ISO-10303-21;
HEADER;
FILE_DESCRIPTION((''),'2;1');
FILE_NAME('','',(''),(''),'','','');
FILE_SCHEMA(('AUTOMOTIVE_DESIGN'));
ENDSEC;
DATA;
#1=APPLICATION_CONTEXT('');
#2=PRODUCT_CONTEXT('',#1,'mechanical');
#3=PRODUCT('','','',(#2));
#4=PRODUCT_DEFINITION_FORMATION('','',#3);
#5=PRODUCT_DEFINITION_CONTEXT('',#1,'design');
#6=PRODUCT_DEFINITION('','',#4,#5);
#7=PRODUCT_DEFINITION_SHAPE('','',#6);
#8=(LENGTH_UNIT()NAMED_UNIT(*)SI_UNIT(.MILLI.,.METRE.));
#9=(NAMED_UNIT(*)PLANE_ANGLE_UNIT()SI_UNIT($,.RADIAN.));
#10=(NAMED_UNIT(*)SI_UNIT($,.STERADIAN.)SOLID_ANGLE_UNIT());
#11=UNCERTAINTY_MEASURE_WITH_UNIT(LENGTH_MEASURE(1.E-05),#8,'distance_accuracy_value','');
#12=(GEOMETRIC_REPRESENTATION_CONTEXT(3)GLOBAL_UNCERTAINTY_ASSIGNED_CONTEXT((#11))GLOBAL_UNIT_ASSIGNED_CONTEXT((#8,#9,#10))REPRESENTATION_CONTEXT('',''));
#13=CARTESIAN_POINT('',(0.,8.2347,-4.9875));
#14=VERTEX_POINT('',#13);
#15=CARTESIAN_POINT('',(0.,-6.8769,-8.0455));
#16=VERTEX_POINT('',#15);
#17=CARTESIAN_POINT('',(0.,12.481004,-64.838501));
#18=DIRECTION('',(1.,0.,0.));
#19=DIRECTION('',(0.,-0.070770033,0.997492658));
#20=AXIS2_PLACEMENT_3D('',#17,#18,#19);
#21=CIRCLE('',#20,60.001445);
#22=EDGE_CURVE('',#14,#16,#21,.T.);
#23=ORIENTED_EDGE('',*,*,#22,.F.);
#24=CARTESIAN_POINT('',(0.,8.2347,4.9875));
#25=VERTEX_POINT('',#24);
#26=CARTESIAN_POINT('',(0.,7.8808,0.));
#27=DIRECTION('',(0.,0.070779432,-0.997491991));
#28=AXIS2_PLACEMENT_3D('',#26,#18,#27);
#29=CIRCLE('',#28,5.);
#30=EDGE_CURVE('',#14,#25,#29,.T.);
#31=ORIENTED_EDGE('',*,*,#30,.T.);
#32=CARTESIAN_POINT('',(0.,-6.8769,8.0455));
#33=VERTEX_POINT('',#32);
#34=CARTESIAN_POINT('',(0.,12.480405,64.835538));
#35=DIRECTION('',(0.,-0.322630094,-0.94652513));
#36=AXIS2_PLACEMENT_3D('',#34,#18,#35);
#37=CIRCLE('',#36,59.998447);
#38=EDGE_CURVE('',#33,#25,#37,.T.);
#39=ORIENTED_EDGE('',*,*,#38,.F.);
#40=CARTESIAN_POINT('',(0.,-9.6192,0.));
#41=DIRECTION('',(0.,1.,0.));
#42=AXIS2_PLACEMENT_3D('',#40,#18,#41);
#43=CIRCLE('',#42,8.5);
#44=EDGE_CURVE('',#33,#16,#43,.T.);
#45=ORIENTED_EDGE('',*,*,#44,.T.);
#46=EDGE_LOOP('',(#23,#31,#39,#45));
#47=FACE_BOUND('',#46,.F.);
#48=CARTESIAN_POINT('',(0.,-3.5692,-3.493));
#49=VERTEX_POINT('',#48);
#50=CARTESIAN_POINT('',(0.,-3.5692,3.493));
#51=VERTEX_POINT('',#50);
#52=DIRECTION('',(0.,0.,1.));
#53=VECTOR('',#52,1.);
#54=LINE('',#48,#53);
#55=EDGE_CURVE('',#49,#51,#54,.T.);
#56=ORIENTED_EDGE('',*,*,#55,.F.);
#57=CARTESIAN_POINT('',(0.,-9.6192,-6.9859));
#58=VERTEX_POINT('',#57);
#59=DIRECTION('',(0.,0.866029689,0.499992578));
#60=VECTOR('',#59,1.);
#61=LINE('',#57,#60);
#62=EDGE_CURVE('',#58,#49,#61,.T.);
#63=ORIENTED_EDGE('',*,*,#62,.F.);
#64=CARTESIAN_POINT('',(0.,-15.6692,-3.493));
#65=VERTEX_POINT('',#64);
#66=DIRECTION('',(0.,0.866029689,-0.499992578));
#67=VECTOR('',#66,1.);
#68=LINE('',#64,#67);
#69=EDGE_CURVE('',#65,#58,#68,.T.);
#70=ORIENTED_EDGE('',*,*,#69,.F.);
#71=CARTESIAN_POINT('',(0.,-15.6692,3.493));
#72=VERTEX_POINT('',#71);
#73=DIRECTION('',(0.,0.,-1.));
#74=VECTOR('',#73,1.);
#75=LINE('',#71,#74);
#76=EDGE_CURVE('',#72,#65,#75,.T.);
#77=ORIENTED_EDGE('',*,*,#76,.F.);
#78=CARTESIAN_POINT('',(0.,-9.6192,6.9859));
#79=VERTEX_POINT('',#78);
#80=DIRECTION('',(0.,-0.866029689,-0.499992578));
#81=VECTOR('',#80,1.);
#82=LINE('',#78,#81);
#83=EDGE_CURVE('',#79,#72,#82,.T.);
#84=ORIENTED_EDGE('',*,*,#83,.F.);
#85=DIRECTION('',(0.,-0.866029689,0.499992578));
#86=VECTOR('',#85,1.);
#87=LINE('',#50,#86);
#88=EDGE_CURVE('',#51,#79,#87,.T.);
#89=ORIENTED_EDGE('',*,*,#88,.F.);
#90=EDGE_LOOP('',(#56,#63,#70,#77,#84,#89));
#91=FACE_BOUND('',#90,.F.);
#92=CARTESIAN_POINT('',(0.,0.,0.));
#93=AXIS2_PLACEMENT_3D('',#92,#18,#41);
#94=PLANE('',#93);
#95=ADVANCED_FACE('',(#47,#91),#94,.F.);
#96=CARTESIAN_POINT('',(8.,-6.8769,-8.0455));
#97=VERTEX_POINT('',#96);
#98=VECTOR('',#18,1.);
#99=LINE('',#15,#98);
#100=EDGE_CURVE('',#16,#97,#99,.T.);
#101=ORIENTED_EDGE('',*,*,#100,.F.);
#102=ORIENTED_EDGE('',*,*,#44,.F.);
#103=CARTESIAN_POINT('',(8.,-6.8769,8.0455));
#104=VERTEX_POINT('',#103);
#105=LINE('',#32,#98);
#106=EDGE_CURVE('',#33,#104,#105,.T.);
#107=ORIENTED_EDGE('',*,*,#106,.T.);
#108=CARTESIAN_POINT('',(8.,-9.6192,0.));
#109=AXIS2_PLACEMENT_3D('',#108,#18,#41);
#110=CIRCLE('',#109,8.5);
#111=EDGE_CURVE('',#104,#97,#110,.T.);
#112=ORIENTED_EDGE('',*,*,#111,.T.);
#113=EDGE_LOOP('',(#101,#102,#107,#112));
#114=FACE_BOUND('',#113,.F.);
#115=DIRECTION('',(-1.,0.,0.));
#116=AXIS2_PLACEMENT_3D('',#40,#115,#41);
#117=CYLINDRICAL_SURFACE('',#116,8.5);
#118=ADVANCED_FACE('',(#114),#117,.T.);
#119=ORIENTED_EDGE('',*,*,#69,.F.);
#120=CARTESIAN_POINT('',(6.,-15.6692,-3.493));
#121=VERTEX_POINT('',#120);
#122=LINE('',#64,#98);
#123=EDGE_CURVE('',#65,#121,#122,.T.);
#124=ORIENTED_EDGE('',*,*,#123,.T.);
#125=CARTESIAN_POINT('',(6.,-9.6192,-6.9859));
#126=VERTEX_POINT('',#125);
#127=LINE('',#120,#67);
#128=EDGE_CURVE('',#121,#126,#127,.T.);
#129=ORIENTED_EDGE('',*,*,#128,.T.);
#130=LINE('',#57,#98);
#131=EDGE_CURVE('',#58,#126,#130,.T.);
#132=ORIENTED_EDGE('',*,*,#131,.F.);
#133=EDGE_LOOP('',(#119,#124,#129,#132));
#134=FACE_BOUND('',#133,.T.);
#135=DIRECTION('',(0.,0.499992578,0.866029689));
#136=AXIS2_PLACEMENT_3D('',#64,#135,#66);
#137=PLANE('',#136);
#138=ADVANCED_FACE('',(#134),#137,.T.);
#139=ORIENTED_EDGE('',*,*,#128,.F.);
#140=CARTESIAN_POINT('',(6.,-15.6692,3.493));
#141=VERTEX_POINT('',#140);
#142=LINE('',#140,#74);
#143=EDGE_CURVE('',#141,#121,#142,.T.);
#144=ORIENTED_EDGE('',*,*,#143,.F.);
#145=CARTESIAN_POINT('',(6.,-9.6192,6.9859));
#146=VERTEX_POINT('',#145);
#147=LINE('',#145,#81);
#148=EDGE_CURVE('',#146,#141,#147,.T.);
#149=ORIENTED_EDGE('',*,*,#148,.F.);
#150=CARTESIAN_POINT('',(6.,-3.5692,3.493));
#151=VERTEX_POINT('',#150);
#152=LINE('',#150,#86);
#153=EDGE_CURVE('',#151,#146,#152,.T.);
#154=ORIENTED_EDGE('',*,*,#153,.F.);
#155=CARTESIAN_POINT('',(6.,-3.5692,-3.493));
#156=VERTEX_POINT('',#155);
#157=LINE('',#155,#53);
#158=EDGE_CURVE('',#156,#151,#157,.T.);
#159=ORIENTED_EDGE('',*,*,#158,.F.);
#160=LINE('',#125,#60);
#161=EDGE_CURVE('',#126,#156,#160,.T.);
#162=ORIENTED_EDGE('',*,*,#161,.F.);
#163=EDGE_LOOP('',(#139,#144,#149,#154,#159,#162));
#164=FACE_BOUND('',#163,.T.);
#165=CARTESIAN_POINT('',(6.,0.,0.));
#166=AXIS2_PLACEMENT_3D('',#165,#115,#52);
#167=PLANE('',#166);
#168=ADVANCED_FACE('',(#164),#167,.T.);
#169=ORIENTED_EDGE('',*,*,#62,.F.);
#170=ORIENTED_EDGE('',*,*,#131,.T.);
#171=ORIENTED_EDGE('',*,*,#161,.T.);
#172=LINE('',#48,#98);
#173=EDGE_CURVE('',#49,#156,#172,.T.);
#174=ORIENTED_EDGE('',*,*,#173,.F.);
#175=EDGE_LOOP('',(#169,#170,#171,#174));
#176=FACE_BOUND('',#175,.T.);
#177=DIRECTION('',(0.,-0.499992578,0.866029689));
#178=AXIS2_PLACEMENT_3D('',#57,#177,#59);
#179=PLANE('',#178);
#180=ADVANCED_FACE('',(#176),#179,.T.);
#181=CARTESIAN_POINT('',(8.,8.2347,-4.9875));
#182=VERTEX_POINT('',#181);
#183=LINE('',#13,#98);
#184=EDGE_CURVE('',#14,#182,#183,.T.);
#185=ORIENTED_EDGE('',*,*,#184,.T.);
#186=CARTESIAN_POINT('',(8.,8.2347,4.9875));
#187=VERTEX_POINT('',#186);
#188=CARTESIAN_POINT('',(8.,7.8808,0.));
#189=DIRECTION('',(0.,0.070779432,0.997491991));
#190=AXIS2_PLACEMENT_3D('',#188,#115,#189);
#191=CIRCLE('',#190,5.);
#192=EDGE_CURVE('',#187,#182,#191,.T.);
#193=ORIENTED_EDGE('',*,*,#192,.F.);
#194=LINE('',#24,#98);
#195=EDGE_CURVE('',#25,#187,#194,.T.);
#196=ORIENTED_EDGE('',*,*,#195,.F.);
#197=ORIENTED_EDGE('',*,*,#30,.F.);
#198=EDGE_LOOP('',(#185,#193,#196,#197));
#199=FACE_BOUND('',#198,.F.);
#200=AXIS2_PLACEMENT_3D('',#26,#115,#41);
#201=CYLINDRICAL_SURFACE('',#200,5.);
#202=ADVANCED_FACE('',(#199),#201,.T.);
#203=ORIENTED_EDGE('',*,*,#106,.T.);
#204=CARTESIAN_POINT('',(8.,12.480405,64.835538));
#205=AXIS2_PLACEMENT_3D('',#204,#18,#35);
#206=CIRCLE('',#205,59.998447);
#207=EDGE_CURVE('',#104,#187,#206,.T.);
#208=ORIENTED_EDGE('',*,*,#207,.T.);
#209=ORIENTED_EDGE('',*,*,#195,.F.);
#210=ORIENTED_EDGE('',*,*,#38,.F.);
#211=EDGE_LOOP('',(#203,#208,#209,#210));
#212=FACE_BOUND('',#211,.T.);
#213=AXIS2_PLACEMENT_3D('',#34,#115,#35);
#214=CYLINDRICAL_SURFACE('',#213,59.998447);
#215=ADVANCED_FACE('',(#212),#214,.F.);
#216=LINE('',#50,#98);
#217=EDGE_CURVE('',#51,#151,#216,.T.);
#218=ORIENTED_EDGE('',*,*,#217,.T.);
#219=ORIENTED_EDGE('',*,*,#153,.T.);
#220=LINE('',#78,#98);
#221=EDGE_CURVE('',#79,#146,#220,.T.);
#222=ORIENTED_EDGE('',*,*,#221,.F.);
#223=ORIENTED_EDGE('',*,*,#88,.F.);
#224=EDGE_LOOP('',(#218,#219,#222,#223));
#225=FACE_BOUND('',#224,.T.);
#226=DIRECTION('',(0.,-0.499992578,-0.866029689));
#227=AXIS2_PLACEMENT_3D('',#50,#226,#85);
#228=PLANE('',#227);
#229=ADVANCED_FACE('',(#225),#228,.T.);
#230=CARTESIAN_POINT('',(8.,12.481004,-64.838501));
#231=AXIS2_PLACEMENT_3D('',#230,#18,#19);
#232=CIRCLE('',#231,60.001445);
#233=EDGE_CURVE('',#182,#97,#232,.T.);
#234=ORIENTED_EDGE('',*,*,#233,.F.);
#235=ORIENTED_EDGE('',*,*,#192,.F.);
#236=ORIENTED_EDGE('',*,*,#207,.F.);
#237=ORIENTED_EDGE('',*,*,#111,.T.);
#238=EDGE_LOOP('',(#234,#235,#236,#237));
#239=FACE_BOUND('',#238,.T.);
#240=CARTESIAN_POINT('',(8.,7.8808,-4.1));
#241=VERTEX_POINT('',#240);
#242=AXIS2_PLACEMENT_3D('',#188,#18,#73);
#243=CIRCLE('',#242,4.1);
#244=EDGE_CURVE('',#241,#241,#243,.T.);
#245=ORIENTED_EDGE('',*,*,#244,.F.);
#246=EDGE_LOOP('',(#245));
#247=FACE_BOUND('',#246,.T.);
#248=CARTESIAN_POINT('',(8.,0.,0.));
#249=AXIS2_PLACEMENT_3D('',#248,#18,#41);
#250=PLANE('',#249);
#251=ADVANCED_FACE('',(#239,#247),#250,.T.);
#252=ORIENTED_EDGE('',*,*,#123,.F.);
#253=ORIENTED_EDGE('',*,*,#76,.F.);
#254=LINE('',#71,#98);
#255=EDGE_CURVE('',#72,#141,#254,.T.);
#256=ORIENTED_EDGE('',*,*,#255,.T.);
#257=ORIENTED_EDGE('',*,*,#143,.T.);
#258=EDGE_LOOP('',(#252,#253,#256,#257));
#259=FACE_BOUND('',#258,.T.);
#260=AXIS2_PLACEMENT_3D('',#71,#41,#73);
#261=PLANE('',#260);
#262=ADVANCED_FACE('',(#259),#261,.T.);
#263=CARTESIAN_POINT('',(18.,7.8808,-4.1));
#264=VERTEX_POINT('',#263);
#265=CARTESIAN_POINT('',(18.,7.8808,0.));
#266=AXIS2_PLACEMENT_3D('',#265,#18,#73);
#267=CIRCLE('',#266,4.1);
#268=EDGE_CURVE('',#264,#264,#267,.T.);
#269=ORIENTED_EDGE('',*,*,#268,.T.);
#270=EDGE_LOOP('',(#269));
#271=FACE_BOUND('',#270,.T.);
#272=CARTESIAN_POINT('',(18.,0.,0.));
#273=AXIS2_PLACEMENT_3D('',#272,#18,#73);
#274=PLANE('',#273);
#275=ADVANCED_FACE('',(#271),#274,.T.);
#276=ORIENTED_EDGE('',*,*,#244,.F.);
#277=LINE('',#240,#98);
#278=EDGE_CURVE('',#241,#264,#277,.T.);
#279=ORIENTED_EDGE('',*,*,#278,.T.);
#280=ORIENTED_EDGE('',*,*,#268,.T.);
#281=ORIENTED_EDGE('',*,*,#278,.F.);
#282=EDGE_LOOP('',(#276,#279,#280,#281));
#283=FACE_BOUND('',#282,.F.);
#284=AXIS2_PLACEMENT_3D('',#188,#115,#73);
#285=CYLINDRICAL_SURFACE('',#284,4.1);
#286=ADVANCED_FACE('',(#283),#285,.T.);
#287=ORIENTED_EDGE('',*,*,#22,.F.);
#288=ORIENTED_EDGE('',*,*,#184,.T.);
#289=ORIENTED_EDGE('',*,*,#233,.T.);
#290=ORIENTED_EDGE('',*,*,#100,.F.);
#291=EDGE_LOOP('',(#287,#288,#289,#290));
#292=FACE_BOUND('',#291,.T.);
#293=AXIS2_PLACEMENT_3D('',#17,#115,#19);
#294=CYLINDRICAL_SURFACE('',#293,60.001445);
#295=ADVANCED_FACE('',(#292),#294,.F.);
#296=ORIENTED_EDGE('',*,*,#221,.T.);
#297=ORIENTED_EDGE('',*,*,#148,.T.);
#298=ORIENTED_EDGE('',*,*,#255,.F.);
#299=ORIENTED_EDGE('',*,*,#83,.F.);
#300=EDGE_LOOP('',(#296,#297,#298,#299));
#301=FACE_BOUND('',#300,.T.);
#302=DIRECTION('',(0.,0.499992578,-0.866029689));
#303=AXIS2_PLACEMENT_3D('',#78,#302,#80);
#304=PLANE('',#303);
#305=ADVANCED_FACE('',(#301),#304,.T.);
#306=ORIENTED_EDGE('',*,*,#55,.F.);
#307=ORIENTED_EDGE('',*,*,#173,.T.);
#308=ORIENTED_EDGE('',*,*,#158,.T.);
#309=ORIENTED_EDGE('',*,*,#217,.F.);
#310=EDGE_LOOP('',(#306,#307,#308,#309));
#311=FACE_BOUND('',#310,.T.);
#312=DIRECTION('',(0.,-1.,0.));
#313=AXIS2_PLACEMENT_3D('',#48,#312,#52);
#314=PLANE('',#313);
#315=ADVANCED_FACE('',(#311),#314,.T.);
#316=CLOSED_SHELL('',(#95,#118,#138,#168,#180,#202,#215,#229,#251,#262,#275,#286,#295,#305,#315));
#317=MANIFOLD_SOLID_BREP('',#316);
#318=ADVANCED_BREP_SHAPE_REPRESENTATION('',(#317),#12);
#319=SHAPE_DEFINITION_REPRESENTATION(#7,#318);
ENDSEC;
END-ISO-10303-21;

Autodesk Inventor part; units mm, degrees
ref_plane "YZ Plane" through (0, 0, 0) normal (1, 0, 0) x (0, 1, 0)
ref_plane "XZ Plane" through (0, 0, 0) normal (0, 1, 0) x (-1, 0, 0)
ref_plane "XY Plane" through (0, 0, 0) normal (0, 0, 1) x (1, 0, 0)
sketch "Skizze1" plane through (0, 0, 0) normal (1, 0, 0) x (0, 1, 0)
  circle A0 centre (7.8808, 0) radius 5
  circle A1 centre (-9.6192, 0) radius 8.5
  arc A2 (-6.8769, 8.0455) -> (8.2347, 4.9875) centre (12.4808, 64.837) ccw
  arc A3 (8.2347, -4.9875) -> (-6.8769, -8.0455) centre (12.4808, -64.837) ccw
  point P0 (0, 0)
  dimension "d0" = 10
  dimension "d1" = 17
  dimension "d2" = 17.5
  dimension "d3" = 60
  dimension "d4" = 0
  dimension "d5" = 0
  dimension "d6" = 60
extrude "Extrusion1" add sketch "Skizze1" along normal blind 8
sketch "Skizze2" plane through (8, 0, 0) normal (1, 0, 0) x (0, 0, -1)
  arc A0 (4.9875, 8.2347) -> (-4.9875, 8.2347) centre (0, 7.8808) ccw projected
  circle A1 centre (0, 7.8808) radius 4.1
  point P0 (0, 0)
  dimension "d9" = 8.2
extrude "Extrusion2" add sketch "Skizze2" along normal blind 10
sketch "Skizze4" plane through (0, 0, 0) normal (-1, 0, 0) x (0, 0, 1)
  arc A0 (-8.0455, -6.8769) -> (8.0455, -6.8769) centre (0, -9.6192) ccw projected
  line L0 (-6.9859, -9.6192) -> (-3.493, -3.5692)
  line L1 (-3.493, -3.5692) -> (3.493, -3.5692)
  line L2 (3.493, -3.5692) -> (6.9859, -9.6192)
  line L3 (6.9859, -9.6192) -> (3.493, -15.6692)
  line L4 (3.493, -15.6692) -> (-3.493, -15.6692)
  line L5 (-3.493, -15.6692) -> (-6.9859, -9.6192)
  point P0 (0, 0)
  dimension "d15" = 12.1
extrude "Extrusion4" cut sketch "Skizze4" against normal blind 6
properties part number "MotorAnkerNeu"
